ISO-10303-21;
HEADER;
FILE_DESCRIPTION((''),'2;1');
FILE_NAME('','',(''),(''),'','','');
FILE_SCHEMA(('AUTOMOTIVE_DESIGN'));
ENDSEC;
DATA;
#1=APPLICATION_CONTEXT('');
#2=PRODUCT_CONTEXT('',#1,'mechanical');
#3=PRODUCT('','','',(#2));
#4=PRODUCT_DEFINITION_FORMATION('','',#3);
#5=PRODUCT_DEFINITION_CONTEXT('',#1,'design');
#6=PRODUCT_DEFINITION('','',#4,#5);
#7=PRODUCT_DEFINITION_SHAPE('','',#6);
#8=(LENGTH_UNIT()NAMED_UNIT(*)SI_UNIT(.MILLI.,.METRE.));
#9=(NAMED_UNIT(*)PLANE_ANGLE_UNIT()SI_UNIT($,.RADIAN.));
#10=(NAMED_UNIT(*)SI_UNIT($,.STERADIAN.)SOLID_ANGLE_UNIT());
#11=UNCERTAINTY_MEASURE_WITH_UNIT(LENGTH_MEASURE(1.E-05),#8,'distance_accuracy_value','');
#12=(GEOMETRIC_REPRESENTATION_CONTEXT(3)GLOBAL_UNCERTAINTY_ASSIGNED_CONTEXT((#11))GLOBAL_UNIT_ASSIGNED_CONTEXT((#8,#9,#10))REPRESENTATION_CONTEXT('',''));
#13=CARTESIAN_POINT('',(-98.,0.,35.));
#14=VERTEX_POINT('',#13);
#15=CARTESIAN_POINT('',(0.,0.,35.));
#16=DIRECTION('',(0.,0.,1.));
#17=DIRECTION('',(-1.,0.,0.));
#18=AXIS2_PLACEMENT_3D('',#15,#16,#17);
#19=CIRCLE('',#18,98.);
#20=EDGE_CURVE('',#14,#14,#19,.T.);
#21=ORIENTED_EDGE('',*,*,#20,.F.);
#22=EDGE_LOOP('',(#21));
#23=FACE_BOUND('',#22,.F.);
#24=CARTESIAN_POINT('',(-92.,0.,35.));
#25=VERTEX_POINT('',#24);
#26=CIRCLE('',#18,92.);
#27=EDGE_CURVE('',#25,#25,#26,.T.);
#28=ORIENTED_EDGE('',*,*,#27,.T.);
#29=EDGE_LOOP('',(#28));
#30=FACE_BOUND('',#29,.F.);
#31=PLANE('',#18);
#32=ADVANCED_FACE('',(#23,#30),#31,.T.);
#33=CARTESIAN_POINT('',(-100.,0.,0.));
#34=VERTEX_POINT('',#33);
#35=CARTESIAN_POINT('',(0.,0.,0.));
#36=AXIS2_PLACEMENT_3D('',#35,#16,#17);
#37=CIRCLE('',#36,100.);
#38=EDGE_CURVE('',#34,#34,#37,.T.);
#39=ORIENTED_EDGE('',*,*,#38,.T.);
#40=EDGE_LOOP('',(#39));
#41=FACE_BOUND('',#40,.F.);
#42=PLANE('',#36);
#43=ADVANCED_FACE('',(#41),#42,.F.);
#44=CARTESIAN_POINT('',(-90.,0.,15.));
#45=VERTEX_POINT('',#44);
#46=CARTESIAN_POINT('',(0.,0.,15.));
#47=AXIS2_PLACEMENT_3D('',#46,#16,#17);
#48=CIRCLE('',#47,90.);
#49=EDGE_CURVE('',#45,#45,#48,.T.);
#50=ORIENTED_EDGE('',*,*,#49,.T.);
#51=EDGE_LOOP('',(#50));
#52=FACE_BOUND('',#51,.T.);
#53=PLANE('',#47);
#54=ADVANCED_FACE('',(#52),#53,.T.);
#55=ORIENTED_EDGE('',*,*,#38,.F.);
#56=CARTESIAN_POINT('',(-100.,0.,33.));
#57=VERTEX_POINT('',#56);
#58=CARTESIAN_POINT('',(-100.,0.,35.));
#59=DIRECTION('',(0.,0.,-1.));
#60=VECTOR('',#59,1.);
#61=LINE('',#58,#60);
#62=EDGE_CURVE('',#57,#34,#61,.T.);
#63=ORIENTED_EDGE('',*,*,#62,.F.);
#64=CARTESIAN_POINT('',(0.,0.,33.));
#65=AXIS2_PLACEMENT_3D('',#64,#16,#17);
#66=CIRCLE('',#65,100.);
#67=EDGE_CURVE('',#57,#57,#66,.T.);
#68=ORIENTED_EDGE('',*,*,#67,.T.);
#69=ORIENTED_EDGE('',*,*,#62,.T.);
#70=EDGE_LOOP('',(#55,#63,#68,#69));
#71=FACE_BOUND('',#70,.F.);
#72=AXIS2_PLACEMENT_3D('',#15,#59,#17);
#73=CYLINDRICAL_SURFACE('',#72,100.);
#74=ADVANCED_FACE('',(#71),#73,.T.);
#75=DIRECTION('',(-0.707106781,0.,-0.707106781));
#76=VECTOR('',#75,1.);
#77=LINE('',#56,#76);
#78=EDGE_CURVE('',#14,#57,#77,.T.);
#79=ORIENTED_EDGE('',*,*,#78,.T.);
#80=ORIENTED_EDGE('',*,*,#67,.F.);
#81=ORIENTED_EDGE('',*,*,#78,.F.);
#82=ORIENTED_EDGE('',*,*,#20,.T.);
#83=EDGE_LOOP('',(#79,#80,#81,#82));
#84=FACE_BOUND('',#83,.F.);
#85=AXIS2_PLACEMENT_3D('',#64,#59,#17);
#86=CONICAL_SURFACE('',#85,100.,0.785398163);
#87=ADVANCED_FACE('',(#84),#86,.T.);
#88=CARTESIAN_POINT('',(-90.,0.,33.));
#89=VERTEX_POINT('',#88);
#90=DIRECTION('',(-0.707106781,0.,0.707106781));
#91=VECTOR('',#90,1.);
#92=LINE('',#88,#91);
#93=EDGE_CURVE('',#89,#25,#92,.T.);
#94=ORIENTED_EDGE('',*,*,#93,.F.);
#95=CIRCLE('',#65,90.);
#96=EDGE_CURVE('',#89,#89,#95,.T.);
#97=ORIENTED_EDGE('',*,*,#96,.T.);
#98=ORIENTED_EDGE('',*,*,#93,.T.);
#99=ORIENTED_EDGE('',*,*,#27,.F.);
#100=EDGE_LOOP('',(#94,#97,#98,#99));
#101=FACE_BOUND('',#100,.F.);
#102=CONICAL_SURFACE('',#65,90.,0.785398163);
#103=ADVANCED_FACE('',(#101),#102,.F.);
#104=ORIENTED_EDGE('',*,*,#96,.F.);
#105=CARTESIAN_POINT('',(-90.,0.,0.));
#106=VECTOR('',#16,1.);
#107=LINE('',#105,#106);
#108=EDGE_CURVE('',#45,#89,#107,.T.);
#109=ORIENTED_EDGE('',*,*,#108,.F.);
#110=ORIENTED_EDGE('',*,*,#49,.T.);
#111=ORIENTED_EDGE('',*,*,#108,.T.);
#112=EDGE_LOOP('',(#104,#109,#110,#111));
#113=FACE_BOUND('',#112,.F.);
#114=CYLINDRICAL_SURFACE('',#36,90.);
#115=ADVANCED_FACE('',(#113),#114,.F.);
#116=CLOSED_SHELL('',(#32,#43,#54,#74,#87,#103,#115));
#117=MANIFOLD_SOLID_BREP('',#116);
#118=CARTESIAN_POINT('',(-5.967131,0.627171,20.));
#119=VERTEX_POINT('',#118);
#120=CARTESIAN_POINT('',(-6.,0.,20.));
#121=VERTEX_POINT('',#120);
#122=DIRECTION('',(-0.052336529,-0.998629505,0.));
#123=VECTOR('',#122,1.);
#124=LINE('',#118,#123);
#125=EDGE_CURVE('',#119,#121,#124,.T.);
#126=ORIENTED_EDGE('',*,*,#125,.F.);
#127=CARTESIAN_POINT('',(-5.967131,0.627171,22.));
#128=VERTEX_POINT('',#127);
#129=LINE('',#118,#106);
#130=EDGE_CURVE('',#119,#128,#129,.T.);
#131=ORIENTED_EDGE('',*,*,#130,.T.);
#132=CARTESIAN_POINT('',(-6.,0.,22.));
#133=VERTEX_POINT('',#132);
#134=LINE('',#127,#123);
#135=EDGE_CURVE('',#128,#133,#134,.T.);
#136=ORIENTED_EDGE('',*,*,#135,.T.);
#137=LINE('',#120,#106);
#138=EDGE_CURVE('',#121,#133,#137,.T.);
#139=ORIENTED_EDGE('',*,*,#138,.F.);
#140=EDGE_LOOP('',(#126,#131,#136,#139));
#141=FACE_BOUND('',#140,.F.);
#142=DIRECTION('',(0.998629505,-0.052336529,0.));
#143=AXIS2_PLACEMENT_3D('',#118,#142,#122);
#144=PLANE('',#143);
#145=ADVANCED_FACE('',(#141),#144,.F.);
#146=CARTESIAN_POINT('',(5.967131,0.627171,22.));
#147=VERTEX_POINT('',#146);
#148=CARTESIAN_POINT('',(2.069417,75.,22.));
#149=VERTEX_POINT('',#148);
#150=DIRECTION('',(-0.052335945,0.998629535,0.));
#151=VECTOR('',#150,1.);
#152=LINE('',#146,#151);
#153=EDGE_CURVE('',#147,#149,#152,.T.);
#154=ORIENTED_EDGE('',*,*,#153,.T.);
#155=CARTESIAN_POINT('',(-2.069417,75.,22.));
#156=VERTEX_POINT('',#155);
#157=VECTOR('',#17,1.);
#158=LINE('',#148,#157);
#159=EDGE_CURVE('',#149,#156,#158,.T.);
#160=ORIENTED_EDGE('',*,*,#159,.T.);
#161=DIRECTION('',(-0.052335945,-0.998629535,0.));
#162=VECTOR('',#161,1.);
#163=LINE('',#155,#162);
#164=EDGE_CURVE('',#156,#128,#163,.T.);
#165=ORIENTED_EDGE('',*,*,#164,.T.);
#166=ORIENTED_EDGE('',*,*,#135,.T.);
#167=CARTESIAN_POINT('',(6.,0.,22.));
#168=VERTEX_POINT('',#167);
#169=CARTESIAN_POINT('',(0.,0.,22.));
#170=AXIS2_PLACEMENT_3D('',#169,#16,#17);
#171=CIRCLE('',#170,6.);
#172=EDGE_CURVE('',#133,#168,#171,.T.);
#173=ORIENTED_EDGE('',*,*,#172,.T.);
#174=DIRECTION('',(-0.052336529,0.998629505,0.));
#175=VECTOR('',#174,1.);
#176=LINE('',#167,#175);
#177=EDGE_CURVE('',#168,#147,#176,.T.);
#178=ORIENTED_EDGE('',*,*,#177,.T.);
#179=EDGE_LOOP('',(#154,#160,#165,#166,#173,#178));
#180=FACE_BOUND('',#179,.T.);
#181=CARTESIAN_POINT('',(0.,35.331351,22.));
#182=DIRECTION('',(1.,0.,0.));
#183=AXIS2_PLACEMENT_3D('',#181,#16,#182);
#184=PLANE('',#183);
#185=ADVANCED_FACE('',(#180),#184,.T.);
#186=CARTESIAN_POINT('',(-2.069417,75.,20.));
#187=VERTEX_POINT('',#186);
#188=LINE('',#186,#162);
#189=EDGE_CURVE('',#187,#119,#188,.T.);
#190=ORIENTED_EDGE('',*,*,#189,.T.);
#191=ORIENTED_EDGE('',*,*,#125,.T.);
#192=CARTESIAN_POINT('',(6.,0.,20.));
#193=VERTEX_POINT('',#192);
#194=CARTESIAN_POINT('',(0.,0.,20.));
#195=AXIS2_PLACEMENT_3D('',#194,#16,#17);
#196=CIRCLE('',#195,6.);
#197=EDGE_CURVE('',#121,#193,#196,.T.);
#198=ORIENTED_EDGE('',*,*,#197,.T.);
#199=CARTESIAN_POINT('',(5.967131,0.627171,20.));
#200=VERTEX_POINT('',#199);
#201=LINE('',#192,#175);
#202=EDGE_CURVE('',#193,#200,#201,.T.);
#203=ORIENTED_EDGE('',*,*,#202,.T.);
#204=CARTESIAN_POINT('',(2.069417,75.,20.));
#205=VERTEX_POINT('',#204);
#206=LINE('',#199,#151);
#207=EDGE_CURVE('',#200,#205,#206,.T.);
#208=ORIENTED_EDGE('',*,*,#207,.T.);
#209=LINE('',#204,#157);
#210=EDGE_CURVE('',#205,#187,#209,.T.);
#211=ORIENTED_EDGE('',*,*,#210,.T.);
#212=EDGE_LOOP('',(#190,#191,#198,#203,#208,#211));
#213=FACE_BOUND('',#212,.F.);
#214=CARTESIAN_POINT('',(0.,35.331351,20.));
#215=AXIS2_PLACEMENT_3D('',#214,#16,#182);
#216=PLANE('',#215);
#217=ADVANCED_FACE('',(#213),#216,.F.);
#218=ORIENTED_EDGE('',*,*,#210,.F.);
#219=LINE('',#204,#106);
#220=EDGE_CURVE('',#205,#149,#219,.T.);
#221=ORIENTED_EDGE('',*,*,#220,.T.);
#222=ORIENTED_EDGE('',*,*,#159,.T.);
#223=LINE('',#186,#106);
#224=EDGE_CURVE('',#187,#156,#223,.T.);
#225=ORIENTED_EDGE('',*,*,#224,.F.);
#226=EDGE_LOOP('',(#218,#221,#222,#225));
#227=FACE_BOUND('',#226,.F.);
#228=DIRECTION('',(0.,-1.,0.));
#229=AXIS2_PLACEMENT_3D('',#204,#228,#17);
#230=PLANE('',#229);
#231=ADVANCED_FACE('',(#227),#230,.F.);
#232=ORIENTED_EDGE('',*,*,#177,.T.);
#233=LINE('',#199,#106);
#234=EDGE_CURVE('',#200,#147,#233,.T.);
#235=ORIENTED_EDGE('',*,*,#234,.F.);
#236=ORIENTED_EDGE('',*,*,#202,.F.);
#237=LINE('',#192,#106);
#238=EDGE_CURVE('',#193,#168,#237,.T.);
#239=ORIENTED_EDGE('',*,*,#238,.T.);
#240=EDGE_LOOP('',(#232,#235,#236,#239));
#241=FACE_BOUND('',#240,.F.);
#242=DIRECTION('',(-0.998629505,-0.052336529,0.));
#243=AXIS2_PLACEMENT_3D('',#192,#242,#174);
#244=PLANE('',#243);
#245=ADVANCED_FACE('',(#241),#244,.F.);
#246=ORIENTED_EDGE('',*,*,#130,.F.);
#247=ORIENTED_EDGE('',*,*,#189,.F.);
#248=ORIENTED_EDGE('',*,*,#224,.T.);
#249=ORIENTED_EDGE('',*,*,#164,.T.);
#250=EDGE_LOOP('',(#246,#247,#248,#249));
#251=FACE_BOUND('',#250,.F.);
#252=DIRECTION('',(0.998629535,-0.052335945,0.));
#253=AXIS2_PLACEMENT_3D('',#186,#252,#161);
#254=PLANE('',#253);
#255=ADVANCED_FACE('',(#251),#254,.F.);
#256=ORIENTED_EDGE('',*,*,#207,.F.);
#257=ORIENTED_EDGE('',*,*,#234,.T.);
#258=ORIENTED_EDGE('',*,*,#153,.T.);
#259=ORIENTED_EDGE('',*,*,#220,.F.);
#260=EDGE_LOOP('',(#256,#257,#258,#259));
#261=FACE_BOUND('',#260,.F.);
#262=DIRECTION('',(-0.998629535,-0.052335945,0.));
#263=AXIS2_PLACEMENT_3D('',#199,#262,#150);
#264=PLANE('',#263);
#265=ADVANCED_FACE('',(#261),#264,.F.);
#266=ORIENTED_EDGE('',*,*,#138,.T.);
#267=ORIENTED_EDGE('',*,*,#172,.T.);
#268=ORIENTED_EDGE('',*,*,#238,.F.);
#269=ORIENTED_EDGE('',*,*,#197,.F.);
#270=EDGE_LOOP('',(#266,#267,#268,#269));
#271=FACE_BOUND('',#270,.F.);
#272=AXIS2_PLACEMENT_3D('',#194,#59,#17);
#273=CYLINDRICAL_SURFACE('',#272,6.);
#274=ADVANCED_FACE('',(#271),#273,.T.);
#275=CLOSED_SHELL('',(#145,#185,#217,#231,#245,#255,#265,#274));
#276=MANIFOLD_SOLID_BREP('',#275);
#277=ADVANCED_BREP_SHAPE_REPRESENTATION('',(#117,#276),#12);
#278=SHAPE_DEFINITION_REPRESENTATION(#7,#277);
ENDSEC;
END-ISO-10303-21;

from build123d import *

# Parameters (mm, degrees)
F0_W     = 90
F0_H     = 15
F2_SIZE  = 2
F5_DEPTH = 2


with BuildPart() as f1:
    # F0 (on Front) → F1 (revolve)
    with BuildSketch(Plane.XZ):
        Polygon((-100, 0), (-90, 0), (-90, 15), (-90, 35), (-100, 35), align=None)
        with Locations((-45, 7.5)):
            Rectangle(F0_W, F0_H)
    revolve(axis=Axis((0, 0, 7.5), (0, 0, 1)))

    # F2
    f2_edges = [f1.edges().sort_by_distance(p)[0] for p in [
        (100, 0, 35),
        (90, 0, 35),
    ]]
    chamfer(f2_edges, length=F2_SIZE)


with BuildPart() as f5:
    # F4 (on offset) → F5 (new body)
    with BuildSketch(Plane.XY.offset(20)):
        with BuildLine():
            Line((-2.069417, 75), (-5.967131, 0.627171))
            ThreePointArc((-5.967131, 0.627171), (0, 6), (5.967131, 0.627171))
            Line((5.967131, 0.627171), (2.069417, 75))
            Line((2.069417, 75), (-2.069417, 75))
        make_face()
        with BuildLine():
            Line((-5.967131, 0.627171), (-6, 0))
            Line((-6, 0), (0, 0))
            Line((0, 0), (6, 0))
            Line((6, 0), (5.967131, 0.627171))
            ThreePointArc((5.967131, 0.627171), (0, 6), (-5.967131, 0.627171))
        make_face()
        with BuildLine():
            Line((0, 0), (-6, 0))
            ThreePointArc((-6, 0), (0, -6), (6, 0))
            Line((6, 0), (0, 0))
        make_face()
    extrude(amount=F5_DEPTH)


solid = Compound([f1.part, f5.part])
